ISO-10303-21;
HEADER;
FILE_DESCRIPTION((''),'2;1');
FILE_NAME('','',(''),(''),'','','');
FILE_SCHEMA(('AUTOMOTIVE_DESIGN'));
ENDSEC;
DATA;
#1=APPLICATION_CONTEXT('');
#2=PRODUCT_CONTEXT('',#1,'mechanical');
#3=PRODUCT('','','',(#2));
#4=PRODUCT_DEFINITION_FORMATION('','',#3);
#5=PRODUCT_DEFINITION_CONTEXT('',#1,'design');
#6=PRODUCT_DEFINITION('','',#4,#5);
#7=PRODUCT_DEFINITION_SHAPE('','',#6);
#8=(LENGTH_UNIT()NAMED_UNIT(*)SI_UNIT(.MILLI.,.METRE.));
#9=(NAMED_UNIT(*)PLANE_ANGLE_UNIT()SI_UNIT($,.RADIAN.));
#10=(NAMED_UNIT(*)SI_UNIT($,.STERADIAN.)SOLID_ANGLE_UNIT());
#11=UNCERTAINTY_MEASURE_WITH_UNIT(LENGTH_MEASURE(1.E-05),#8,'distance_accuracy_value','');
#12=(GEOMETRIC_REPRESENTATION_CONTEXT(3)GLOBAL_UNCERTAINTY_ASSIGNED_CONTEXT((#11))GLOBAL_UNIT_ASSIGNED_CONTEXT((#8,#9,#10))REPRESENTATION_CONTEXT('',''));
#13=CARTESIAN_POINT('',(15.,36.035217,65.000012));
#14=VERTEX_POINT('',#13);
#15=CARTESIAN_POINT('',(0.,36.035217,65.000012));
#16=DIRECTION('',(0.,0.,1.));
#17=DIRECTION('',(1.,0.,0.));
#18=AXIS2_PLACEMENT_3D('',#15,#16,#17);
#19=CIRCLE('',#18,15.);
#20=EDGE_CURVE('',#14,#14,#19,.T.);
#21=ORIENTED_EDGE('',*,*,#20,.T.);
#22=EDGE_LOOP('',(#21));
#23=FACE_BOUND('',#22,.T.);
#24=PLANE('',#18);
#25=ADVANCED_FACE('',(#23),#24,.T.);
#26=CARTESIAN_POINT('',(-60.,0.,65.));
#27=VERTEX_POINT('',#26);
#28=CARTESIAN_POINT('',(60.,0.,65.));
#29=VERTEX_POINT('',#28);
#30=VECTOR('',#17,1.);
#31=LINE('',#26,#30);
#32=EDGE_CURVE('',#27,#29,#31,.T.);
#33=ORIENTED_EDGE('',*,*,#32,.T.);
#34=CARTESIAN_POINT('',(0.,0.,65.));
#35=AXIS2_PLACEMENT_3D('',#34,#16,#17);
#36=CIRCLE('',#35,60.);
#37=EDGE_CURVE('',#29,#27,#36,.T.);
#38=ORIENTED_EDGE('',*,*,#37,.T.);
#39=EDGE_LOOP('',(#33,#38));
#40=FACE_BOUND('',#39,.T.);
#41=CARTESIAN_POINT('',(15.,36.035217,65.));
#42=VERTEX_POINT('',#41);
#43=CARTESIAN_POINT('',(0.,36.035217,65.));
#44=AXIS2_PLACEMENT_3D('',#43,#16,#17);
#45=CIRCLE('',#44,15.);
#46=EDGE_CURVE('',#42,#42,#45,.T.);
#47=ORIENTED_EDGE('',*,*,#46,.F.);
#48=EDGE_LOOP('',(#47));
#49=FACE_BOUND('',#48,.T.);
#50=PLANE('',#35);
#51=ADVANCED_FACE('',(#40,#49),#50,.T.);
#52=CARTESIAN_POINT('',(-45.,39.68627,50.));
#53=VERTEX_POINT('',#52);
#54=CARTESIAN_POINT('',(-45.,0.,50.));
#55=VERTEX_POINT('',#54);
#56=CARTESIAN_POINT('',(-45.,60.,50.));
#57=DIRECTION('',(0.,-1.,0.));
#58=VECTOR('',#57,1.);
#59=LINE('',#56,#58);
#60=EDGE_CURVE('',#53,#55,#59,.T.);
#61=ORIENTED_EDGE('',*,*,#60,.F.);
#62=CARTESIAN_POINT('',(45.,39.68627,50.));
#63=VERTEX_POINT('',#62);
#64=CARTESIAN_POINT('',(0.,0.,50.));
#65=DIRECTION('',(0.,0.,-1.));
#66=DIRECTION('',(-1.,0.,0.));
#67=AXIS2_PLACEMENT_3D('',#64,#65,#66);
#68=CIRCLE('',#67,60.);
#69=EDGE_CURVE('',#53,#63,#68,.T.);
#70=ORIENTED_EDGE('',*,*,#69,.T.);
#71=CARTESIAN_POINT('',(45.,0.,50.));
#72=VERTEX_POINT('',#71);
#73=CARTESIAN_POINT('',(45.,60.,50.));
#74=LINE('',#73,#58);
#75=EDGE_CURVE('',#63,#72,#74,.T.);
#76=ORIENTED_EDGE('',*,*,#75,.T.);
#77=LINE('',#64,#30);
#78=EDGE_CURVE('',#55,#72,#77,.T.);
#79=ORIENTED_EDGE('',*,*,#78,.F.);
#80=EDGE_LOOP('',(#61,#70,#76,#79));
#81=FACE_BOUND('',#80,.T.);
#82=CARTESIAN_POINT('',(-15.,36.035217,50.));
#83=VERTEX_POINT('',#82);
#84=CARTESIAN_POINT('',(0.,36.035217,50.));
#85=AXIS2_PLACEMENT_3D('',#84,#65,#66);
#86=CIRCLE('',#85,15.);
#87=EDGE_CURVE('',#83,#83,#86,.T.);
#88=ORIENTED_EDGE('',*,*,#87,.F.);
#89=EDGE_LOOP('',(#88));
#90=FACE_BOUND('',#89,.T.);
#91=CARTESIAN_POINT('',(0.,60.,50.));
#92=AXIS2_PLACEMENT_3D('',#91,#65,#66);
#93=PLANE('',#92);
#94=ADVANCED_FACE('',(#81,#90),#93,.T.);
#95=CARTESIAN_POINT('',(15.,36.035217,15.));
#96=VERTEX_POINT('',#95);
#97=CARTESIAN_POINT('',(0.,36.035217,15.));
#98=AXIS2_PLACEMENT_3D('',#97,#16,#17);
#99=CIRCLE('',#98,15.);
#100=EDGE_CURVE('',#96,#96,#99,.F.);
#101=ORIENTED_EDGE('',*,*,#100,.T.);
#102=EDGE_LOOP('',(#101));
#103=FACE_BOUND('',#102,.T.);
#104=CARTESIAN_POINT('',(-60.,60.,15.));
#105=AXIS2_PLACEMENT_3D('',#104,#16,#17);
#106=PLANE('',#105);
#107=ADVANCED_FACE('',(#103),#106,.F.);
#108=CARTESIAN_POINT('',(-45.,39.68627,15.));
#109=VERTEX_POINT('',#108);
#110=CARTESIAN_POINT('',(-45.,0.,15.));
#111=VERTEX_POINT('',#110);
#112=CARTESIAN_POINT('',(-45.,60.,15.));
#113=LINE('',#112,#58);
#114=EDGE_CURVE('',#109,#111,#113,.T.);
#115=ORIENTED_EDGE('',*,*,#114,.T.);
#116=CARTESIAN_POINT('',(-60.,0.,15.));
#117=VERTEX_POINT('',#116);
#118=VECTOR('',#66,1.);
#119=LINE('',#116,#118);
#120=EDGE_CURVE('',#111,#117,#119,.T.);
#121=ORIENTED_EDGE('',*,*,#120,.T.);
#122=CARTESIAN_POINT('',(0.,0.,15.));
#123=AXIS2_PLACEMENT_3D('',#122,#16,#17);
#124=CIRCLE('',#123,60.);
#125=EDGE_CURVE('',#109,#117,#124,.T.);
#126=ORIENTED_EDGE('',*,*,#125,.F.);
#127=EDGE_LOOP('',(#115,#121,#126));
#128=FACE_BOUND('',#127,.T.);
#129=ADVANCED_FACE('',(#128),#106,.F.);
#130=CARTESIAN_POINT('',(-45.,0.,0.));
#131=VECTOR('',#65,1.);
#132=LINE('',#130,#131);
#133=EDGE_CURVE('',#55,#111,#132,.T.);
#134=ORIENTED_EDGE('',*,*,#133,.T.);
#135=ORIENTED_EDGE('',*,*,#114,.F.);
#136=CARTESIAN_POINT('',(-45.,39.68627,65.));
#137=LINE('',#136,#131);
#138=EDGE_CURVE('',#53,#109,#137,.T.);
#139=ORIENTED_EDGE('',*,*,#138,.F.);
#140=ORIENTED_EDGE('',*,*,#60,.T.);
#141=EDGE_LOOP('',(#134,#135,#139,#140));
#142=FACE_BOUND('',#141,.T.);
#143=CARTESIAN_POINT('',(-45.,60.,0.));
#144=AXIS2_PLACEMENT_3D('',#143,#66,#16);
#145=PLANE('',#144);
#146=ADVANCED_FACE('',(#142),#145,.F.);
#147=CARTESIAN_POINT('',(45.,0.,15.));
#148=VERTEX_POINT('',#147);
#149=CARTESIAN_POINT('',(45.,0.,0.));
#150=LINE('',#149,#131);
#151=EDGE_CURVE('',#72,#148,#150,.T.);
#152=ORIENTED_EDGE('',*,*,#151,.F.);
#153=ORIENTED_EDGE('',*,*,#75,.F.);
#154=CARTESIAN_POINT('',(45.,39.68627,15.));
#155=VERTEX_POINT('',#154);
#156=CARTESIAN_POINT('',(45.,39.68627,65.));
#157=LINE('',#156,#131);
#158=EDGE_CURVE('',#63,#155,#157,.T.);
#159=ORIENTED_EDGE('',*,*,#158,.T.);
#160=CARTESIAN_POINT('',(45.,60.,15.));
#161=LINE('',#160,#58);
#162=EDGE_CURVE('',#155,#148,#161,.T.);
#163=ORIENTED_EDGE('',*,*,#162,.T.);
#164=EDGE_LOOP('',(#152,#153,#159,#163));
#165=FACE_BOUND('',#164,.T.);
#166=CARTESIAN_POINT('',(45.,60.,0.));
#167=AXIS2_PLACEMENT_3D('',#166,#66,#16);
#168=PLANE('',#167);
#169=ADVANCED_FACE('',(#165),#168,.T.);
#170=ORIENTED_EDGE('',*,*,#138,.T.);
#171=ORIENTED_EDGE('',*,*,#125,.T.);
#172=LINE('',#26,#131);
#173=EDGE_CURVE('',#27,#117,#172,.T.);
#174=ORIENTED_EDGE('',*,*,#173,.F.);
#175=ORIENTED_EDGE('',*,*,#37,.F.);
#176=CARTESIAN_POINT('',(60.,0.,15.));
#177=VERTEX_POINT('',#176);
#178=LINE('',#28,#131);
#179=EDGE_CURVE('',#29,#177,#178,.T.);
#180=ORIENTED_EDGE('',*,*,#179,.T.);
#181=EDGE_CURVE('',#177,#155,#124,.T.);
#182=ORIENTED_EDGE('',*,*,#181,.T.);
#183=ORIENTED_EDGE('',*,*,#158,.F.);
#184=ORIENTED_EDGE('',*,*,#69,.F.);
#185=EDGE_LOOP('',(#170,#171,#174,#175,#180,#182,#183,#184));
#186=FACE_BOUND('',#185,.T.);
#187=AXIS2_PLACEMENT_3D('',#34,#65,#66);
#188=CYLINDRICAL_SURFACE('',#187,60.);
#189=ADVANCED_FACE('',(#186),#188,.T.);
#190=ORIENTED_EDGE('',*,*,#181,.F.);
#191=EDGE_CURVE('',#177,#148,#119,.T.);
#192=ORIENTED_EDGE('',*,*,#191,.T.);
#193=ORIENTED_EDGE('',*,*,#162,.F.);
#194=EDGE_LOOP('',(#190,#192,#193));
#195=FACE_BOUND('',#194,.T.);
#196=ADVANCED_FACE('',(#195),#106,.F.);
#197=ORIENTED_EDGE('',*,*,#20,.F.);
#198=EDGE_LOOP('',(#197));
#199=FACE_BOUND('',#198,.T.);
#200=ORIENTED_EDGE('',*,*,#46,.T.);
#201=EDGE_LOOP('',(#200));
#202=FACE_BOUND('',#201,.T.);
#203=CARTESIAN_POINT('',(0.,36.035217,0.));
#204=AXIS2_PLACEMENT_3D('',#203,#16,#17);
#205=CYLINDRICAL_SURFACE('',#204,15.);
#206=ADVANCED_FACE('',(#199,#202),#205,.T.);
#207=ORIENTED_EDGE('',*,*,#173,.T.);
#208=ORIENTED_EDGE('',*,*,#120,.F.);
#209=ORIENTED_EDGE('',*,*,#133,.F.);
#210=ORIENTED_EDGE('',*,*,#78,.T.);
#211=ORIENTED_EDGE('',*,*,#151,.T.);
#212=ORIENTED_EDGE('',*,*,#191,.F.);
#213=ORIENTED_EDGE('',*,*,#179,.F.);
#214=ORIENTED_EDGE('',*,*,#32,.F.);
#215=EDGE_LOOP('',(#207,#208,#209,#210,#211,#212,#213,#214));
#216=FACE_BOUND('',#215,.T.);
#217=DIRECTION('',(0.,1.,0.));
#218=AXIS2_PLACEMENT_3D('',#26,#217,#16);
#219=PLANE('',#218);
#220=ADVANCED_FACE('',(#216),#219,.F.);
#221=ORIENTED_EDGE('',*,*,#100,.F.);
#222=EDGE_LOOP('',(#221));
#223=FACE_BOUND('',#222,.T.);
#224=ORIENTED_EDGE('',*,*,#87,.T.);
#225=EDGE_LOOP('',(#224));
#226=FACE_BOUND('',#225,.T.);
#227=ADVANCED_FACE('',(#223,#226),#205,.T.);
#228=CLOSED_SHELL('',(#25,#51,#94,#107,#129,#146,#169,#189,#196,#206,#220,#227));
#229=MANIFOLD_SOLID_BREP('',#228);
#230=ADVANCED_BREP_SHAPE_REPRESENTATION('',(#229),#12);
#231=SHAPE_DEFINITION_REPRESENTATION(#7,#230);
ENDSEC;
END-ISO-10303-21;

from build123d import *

# Parameters (mm, degrees)
BOSS_EXTRUDE1_DEPTH = 65
CUT_EXTRUDE1_START  = -60
SKETCH4_W           = 90
SKETCH4_H           = 35
CUT_EXTRUDE1_DEPTH  = 60
BOSS_EXTRUDE2_START = -50
SKETCH5_R           = 15
BOSS_EXTRUDE2_DEPTH = 50.000012
SKETCH7_W           = 120
SKETCH7_H           = 15
CUT_EXTRUDE3_DEPTH  = 61


with BuildPart() as part:
    # Sketch3 → Boss-Extrude1 (new body)
    with BuildSketch(Plane.XY):
        with BuildLine():
            Line((-60, 0), (60, 0))
            ThreePointArc((60, 0), (0, 60), (-60, 0))
        make_face()
    extrude(amount=BOSS_EXTRUDE1_DEPTH)

    # Sketch4 → Cut-Extrude1 (cut)
    with BuildSketch(Plane.XZ.offset(CUT_EXTRUDE1_START)):
        with Locations((0, 32.5)):
            Rectangle(SKETCH4_W, SKETCH4_H)
    extrude(amount=CUT_EXTRUDE1_DEPTH, mode=Mode.SUBTRACT)

    # Sketch5 → Boss-Extrude2 (add)
    with BuildSketch(Plane.XY.offset(65).offset(BOSS_EXTRUDE2_START)):
        with Locations((0, 36.035216542)):
            Circle(SKETCH5_R)
    extrude(amount=BOSS_EXTRUDE2_DEPTH)

    # Sketch7 → Cut-Extrude3 (cut, through all)
    with BuildSketch(Plane.XZ):
        with Locations((0, 7.5)):
            Rectangle(SKETCH7_W, SKETCH7_H)
    extrude(amount=-CUT_EXTRUDE3_DEPTH, mode=Mode.SUBTRACT)


solid = part.part
